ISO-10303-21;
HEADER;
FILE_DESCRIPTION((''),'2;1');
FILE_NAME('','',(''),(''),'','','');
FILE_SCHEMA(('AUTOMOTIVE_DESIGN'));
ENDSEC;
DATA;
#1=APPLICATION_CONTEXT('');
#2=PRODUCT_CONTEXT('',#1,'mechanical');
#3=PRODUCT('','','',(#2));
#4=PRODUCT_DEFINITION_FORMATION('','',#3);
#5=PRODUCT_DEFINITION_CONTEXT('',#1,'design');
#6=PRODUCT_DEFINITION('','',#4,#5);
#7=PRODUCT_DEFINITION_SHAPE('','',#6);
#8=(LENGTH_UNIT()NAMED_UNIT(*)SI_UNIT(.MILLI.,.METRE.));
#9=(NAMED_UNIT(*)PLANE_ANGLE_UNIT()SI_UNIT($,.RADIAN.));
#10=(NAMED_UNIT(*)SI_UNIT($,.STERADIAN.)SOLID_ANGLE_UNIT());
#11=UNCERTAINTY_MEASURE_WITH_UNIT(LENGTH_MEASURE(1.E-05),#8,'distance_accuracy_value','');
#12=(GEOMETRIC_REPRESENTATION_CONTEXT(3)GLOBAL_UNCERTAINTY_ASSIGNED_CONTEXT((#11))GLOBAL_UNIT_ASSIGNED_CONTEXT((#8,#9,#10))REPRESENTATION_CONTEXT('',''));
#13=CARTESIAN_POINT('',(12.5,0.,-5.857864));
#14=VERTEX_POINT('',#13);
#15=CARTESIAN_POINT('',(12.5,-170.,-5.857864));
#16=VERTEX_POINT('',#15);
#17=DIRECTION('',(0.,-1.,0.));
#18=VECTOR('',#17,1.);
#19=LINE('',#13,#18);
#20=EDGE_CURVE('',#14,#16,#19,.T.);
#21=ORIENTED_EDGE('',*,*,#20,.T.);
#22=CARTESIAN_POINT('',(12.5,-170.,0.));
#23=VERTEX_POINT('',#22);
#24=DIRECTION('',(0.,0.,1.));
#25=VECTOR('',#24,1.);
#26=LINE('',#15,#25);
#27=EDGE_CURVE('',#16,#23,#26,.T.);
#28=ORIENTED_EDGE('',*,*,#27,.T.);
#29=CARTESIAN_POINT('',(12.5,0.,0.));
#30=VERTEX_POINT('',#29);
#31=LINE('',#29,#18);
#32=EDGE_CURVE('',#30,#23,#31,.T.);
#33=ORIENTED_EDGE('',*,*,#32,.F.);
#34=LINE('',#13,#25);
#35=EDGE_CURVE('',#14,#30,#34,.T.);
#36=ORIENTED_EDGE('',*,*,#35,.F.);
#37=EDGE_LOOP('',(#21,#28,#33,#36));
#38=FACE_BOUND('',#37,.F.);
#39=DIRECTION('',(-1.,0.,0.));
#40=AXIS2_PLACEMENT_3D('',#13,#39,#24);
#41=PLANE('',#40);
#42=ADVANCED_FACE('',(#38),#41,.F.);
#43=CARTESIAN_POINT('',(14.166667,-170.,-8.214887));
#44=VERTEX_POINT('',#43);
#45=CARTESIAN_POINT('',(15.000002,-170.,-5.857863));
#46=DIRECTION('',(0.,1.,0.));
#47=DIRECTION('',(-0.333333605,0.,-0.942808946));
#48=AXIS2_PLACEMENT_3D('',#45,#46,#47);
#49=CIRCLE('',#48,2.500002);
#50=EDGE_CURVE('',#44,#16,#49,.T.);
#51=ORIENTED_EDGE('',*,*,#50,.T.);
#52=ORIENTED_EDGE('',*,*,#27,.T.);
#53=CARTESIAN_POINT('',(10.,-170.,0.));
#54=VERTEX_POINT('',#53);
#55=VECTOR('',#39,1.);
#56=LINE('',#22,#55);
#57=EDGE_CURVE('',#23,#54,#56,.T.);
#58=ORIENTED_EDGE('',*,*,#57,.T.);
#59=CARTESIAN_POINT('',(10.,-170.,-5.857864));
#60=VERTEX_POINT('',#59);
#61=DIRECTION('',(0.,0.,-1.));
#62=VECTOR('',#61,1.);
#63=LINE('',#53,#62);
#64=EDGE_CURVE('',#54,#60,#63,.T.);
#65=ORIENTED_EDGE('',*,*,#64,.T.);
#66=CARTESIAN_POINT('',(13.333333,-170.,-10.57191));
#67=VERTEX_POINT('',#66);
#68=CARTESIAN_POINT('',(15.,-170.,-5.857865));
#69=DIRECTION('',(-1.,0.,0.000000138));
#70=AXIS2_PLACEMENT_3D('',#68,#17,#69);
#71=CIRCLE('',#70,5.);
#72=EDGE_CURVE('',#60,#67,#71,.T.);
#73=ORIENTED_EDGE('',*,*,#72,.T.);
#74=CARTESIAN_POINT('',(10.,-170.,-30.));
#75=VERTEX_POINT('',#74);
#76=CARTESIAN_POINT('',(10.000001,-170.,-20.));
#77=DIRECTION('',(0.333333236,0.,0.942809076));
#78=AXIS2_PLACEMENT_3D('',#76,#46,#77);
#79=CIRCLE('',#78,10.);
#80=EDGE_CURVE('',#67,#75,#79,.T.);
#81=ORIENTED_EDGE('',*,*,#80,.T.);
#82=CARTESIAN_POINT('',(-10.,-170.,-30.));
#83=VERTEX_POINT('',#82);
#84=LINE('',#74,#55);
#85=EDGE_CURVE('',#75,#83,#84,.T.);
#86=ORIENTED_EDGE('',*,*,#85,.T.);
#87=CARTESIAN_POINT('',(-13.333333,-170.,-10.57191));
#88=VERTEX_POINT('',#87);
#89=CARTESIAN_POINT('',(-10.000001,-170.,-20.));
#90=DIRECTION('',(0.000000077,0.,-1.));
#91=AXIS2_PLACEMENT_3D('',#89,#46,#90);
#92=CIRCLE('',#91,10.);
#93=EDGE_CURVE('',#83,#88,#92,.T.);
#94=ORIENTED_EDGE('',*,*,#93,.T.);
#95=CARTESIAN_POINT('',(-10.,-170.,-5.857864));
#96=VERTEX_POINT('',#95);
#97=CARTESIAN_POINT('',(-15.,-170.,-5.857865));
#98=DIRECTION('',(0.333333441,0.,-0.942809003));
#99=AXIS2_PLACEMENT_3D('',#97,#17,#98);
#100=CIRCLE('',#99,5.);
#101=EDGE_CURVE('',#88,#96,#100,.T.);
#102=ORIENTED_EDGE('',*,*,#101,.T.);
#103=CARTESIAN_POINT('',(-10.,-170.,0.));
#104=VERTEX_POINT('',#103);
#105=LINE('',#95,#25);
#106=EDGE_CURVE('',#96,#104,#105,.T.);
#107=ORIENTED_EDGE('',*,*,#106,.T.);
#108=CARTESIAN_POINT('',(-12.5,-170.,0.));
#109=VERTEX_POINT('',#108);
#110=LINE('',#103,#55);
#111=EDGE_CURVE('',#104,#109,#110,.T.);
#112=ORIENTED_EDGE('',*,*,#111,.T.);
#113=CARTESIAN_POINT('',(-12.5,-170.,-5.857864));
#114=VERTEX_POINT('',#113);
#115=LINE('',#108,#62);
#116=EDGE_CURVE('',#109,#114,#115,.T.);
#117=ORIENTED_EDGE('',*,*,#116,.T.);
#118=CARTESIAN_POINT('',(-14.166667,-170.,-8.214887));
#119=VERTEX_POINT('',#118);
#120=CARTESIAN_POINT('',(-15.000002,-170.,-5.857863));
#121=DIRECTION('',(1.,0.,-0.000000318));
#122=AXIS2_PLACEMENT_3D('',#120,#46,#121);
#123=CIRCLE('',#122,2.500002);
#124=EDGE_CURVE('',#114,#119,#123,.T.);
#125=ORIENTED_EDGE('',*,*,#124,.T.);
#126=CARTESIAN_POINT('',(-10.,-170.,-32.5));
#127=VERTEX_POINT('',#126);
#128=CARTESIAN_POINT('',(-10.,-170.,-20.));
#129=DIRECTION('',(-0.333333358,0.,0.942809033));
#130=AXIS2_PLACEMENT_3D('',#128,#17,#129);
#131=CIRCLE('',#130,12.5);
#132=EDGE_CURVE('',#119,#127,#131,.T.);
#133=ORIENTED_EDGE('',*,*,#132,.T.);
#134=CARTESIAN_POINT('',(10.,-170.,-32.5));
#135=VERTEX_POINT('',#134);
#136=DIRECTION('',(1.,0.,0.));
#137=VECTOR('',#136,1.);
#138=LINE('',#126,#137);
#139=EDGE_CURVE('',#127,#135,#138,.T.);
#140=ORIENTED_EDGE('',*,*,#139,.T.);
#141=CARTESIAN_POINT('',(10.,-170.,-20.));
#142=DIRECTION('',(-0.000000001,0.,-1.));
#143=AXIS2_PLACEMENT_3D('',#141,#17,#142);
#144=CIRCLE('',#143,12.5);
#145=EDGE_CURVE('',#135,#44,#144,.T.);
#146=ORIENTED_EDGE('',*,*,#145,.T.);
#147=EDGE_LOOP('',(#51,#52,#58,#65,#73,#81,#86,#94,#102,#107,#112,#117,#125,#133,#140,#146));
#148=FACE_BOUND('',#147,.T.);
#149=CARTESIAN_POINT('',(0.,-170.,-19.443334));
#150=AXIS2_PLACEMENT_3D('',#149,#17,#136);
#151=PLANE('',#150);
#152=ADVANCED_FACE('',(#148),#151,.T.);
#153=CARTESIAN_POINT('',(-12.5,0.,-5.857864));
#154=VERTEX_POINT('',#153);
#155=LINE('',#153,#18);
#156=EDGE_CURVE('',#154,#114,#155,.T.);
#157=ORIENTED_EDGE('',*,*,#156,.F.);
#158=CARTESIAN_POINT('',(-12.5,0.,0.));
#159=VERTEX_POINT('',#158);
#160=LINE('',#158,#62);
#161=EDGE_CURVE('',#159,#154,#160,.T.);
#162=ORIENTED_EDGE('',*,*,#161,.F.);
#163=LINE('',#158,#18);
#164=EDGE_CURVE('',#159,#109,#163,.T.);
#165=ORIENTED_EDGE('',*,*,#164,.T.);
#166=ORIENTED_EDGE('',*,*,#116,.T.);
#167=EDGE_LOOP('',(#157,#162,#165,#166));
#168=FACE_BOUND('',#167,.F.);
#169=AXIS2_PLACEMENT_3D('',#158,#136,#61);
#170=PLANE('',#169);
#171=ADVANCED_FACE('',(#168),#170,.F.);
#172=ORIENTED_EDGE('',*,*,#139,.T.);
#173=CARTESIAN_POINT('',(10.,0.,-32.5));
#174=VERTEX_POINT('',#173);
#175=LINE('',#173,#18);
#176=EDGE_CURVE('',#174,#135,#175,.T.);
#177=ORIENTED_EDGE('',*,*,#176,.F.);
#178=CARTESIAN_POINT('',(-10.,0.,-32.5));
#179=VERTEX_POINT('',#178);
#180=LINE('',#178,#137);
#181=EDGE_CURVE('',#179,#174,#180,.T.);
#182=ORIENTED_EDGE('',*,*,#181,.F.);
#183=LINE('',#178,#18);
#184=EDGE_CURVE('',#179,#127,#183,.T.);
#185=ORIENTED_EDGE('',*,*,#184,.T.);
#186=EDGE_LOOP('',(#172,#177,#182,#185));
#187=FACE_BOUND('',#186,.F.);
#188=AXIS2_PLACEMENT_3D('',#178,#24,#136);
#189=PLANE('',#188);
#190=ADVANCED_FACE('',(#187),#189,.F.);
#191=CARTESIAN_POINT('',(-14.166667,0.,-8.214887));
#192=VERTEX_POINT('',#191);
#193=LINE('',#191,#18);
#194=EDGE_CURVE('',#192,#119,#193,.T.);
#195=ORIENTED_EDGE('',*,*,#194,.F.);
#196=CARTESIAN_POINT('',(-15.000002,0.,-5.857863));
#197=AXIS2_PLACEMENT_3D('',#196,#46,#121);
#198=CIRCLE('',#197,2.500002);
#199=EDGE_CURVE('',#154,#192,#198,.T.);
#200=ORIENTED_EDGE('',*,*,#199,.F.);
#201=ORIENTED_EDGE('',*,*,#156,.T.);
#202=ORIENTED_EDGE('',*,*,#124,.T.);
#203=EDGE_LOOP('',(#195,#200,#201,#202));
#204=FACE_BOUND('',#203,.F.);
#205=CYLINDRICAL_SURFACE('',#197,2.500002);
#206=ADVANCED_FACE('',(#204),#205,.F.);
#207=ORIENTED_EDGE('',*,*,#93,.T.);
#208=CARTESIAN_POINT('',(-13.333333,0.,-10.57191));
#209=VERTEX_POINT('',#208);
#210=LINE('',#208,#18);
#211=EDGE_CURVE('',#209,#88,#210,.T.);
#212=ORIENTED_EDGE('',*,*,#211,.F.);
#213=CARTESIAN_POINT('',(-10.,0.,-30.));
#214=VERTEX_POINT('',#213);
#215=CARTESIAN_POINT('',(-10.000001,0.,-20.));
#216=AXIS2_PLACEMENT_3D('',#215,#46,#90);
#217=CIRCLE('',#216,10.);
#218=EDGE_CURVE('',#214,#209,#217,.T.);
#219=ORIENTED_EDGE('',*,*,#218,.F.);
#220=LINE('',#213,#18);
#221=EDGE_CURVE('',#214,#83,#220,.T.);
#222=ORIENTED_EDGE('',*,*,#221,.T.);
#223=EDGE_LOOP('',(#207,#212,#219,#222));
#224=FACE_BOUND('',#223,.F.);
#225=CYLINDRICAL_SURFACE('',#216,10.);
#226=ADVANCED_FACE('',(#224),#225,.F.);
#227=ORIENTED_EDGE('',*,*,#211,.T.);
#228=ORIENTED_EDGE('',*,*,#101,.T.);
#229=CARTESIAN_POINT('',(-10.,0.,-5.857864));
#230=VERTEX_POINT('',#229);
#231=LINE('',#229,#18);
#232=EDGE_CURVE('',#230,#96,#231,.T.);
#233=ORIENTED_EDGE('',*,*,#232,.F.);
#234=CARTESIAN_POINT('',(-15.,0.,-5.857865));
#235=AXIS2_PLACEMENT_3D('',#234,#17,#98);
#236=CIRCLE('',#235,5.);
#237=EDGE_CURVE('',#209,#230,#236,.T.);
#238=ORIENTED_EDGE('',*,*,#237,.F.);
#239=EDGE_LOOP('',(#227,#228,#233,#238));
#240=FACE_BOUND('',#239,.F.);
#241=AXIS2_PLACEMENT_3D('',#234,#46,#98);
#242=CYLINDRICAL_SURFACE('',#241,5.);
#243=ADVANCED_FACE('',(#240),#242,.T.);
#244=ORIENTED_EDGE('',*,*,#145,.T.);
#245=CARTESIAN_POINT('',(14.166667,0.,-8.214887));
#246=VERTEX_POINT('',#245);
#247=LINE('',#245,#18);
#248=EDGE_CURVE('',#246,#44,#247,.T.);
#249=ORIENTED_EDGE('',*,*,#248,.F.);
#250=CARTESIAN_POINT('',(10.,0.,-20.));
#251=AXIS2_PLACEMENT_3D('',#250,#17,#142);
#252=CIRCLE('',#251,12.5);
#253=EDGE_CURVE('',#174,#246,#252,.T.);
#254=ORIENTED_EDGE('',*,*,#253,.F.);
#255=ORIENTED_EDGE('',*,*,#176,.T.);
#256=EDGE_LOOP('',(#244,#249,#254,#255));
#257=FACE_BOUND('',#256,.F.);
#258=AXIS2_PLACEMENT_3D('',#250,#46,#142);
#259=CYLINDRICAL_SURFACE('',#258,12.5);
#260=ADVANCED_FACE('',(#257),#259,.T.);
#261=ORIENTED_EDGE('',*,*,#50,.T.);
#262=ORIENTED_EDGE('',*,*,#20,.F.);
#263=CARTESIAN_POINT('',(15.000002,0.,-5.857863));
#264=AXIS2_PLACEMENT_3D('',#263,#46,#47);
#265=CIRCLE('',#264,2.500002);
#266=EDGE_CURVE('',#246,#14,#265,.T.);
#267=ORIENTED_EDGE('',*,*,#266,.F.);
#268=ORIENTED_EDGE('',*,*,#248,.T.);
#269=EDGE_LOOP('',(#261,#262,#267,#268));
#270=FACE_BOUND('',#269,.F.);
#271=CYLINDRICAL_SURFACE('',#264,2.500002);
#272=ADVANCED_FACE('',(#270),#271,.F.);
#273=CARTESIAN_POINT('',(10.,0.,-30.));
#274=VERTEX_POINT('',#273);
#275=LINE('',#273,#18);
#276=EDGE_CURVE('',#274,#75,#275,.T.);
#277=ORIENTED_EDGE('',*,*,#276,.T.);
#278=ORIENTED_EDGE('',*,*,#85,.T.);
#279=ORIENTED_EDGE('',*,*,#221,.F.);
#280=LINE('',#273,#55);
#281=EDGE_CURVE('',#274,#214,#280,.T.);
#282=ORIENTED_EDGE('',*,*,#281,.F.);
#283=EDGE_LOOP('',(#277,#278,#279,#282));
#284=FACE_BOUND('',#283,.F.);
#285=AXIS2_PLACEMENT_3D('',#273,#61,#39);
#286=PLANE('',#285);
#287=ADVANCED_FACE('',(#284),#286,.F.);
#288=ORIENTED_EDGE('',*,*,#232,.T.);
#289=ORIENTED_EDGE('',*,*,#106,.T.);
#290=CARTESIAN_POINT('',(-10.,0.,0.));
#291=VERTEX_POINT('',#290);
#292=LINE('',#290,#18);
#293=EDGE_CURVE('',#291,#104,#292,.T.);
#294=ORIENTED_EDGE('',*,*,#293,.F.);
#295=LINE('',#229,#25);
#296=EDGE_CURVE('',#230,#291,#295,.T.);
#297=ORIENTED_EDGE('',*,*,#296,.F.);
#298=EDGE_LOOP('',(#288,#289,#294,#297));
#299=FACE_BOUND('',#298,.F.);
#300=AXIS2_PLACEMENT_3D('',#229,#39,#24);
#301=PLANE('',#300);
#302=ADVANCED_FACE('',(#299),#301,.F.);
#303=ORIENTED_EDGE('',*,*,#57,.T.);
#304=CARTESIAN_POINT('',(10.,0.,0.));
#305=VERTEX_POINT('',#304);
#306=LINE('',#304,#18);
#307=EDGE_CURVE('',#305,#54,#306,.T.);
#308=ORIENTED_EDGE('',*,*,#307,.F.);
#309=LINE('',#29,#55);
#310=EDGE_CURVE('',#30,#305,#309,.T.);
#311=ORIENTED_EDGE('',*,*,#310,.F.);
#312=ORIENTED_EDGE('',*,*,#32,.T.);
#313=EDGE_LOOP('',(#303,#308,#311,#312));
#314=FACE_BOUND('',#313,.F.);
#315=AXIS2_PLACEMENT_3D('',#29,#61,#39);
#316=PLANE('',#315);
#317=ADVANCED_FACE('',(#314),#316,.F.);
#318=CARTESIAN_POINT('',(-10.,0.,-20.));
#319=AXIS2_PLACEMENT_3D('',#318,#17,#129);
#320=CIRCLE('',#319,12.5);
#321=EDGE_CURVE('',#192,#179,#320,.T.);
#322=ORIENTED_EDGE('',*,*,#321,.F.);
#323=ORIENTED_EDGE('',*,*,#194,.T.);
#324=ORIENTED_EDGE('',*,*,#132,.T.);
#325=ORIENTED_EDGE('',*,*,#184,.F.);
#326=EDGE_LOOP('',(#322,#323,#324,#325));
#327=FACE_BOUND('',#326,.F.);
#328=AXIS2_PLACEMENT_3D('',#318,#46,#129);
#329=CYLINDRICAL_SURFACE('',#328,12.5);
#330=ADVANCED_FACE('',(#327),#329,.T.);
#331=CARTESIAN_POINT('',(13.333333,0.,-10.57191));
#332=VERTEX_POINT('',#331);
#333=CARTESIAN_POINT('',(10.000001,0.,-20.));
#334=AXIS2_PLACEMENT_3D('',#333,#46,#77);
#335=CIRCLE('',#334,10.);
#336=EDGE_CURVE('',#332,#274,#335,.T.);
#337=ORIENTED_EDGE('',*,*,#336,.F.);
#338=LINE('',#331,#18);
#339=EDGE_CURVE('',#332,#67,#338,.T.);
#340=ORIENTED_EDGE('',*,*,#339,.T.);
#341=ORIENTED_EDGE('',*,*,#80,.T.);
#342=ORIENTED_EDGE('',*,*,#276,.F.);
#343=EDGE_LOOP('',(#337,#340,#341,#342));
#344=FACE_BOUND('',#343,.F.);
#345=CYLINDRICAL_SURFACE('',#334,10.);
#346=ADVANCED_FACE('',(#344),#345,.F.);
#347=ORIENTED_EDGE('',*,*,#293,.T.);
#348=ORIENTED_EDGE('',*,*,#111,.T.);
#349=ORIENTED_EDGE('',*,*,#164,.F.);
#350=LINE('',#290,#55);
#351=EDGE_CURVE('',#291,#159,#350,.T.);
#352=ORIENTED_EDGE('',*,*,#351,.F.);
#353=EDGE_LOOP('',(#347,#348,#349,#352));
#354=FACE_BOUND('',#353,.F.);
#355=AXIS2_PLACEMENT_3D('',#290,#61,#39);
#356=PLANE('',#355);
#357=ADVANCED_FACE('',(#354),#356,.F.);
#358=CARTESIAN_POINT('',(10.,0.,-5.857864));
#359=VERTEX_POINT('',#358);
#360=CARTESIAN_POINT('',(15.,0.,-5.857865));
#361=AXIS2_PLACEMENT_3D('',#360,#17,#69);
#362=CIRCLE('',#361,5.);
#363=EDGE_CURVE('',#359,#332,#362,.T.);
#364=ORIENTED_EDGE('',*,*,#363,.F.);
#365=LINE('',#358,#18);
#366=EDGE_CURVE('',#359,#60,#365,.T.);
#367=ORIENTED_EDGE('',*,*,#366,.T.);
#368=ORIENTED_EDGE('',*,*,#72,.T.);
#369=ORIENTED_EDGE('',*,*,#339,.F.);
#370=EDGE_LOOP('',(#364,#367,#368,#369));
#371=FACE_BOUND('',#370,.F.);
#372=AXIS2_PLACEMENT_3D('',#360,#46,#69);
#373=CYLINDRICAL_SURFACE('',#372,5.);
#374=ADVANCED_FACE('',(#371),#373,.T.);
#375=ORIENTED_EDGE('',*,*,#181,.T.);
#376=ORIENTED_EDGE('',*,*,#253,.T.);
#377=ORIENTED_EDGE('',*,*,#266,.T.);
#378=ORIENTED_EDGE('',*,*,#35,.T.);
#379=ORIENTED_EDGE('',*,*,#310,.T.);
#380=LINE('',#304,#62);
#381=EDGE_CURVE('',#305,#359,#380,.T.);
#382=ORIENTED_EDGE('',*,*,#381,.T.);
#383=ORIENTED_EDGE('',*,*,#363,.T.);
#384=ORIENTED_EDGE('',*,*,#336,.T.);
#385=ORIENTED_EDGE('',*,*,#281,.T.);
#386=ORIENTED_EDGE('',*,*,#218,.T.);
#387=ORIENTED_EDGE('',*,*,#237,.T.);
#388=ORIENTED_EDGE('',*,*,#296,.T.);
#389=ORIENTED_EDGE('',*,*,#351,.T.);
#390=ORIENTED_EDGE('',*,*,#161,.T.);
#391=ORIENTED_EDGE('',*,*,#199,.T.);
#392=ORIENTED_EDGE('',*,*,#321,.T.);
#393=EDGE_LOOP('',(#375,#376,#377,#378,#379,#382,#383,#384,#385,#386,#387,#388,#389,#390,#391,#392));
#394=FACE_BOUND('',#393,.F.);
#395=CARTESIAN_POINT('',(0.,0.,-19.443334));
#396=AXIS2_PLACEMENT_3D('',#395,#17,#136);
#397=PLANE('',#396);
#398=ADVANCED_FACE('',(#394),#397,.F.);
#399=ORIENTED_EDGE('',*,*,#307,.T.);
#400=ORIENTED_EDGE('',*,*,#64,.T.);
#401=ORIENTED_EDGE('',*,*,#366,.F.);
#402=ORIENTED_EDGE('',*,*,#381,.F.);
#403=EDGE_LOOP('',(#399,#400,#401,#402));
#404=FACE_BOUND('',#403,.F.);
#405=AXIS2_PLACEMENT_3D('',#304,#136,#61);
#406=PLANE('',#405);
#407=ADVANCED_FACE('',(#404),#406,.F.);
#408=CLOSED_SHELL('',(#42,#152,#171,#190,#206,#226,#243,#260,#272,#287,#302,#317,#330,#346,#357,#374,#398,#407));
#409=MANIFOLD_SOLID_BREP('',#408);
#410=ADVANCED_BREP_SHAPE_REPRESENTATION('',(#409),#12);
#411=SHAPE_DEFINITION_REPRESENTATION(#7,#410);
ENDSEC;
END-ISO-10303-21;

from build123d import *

# Parameters (mm, degrees)
F1_DEPTH = 170


with BuildPart() as f1:
    # F0 (on Front) → F1 (new body)
    with BuildSketch(Plane.XZ):
        with BuildLine():
            Line((-10, -5.857864), (-10, 0))
            Line((-10, 0), (-12.5, 0))
            Line((-12.5, 0), (-12.5, -5.857864))
            ThreePointArc((-12.5, -5.857864), (-12.958759, -7.30124), (-14.166667, -8.214887))
            ThreePointArc((-14.166667, -8.214887), (-22.319982, -22.113775), (-10, -32.5))
            Line((-10, -32.5), (10, -32.5))
            ThreePointArc((10, -32.5), (22.319982, -22.113775), (14.166667, -8.214887))
            ThreePointArc((14.166667, -8.214887), (12.958759, -7.30124), (12.5, -5.857864))
            Line((12.5, -5.857864), (12.5, 0))
            Line((12.5, 0), (10, 0))
            Line((10, 0), (10, -5.857864))
            ThreePointArc((10, -5.857864), (10.917517, -8.744616), (13.333333, -10.57191))
            ThreePointArc((13.333333, -10.57191), (19.855986, -21.69102), (10, -30))
            Line((10, -30), (-10, -30))
            ThreePointArc((-10, -30), (-19.855986, -21.69102), (-13.333333, -10.57191))
            ThreePointArc((-13.333333, -10.57191), (-10.917517, -8.744616), (-10, -5.857864))
        make_face()
    extrude(amount=F1_DEPTH)


solid = f1.part
